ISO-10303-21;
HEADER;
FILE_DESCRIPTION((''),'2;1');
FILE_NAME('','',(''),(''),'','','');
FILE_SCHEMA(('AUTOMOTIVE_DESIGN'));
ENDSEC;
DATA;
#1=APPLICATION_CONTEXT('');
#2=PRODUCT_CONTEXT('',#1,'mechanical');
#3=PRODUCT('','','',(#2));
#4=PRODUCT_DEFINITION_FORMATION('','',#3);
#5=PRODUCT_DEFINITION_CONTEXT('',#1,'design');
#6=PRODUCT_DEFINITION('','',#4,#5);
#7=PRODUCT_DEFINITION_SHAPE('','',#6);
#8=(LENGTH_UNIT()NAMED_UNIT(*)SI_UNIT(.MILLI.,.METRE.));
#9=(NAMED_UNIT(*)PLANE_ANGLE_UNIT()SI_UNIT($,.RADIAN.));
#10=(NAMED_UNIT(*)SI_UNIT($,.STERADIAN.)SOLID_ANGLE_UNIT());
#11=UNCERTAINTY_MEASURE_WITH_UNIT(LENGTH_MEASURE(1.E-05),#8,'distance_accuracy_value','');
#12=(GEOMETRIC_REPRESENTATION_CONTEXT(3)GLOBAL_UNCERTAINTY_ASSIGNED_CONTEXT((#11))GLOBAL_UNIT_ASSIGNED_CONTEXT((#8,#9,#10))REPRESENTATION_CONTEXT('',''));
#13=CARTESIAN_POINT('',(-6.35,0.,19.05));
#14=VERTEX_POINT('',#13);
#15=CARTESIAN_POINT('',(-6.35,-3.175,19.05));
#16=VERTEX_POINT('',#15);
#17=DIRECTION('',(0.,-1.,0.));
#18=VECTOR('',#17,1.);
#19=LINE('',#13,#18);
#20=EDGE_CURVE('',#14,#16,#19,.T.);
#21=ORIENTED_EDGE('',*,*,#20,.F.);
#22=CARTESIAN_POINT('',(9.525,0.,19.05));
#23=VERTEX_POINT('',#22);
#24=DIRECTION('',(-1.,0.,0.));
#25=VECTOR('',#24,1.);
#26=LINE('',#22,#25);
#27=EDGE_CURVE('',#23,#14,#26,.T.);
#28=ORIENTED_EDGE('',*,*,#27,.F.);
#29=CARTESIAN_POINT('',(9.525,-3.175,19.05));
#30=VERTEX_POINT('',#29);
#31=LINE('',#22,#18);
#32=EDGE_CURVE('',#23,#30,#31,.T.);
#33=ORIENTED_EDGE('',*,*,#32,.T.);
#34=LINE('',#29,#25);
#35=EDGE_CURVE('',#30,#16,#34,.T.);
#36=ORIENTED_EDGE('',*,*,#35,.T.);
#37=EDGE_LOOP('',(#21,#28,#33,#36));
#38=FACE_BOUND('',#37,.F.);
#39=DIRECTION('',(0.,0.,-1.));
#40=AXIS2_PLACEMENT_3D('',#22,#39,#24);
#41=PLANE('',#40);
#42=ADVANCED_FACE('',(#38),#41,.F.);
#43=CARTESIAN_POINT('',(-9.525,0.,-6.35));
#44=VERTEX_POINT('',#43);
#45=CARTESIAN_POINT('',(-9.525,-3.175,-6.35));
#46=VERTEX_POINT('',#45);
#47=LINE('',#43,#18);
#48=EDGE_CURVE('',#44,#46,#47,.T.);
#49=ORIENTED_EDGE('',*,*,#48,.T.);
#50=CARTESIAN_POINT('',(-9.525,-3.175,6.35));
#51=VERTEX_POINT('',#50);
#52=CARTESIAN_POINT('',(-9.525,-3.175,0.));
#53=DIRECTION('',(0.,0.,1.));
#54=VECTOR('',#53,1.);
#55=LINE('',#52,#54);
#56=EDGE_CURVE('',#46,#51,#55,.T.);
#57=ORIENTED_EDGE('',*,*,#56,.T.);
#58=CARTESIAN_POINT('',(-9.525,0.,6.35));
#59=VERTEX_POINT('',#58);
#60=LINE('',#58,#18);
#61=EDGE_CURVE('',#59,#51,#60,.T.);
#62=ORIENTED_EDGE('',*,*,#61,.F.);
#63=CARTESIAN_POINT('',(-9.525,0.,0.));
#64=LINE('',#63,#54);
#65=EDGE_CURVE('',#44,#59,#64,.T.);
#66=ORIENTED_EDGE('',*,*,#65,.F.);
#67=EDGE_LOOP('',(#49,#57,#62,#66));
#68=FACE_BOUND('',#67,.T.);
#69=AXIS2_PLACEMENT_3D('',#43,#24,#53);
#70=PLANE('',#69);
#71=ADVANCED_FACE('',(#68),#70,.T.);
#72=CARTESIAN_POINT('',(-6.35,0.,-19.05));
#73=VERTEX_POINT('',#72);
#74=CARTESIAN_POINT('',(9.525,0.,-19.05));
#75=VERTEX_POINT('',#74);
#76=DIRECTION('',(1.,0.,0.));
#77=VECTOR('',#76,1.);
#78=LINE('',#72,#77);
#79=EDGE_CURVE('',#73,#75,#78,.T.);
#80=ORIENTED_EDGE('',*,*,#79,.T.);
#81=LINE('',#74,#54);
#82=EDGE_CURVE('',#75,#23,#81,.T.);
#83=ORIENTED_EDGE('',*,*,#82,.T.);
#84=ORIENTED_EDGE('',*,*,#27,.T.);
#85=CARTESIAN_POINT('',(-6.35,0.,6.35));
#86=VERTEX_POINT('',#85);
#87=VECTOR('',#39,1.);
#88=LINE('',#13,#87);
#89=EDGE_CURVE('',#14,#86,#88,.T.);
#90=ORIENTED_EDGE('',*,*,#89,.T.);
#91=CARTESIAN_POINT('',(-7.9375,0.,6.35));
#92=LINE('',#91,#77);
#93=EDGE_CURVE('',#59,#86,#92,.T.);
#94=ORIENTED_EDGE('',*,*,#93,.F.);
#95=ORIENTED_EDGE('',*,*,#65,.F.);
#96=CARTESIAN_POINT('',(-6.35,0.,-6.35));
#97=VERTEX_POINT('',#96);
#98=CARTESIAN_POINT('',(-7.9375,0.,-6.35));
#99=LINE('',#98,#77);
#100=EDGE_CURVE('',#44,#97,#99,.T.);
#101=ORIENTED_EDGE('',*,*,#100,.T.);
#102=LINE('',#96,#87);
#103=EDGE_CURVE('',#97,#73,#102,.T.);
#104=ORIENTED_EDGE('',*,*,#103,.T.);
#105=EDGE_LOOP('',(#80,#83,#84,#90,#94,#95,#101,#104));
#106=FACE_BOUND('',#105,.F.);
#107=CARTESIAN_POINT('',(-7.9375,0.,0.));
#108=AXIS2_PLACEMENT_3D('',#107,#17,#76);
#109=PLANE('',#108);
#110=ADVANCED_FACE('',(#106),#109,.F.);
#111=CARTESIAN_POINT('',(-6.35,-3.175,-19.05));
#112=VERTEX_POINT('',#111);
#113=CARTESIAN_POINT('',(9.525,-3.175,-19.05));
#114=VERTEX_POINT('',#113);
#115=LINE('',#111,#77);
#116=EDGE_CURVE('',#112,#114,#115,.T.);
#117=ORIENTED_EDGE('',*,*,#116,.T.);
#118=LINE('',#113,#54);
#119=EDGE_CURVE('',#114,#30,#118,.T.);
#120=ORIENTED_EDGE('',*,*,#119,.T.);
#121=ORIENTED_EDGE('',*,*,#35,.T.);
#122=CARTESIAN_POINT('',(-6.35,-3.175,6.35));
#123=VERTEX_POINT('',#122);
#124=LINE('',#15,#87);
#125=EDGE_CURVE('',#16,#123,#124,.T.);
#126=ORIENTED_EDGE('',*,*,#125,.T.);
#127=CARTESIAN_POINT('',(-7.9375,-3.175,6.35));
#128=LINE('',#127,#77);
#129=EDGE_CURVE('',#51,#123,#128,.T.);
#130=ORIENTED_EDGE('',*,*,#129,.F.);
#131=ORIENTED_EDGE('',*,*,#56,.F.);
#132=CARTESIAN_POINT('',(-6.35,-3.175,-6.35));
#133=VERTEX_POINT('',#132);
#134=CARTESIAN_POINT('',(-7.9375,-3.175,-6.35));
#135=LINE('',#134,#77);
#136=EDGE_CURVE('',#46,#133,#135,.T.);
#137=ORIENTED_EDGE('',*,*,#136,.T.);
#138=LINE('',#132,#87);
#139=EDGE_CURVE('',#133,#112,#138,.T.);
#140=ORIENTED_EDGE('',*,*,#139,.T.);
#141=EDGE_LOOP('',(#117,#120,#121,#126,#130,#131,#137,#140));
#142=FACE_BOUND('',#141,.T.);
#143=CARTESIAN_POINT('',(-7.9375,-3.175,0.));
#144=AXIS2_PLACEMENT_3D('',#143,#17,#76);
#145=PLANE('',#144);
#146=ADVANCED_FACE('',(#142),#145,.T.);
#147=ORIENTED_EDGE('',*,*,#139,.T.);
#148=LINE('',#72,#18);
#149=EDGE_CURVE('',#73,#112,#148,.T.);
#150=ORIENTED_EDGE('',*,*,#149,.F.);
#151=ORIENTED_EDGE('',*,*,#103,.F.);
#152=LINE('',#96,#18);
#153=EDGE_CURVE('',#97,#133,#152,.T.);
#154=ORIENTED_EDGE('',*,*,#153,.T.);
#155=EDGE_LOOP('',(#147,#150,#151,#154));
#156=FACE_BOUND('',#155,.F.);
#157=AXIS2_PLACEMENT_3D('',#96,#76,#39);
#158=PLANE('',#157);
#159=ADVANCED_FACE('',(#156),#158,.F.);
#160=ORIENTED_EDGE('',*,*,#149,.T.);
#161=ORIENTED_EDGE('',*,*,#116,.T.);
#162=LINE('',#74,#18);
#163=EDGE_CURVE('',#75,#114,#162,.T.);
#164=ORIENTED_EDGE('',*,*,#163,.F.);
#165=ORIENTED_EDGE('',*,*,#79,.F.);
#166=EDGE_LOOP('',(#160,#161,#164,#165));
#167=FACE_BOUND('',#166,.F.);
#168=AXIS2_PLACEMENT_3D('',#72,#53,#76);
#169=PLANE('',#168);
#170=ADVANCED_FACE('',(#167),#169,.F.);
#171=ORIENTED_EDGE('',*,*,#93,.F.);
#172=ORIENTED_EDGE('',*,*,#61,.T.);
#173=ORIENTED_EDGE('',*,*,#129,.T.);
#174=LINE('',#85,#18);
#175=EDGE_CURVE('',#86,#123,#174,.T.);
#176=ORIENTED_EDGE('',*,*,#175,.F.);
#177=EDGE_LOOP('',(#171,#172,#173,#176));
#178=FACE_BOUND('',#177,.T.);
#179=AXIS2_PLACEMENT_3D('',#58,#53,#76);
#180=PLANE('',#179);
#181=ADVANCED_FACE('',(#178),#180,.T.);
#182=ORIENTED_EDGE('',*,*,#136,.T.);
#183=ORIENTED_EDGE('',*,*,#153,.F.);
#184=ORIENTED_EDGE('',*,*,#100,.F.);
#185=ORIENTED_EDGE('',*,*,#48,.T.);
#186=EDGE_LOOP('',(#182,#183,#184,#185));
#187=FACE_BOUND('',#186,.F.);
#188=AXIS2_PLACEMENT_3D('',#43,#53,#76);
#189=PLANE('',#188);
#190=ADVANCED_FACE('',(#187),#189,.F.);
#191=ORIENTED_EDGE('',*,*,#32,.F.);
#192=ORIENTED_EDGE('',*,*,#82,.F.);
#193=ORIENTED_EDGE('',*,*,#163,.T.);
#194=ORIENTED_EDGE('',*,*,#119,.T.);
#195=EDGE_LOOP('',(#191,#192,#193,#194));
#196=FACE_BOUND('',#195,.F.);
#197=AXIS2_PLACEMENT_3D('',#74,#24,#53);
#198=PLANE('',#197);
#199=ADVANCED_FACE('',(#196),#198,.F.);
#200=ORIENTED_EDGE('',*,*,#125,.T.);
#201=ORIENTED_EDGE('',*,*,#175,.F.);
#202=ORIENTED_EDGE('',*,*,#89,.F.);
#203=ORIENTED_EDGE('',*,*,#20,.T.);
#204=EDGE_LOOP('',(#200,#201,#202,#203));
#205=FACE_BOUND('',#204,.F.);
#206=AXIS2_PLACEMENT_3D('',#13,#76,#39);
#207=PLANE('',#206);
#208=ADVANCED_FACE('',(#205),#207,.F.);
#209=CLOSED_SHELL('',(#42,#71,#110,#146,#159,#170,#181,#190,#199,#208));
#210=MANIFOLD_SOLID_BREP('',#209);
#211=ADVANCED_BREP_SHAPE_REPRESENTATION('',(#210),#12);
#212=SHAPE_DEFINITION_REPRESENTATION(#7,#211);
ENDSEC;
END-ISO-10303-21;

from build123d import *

# Parameters (mm, degrees)
F0_W     = 3.175
F0_H     = 12.7
F1_DEPTH = 3.175


with BuildPart() as f1:
    # F0 (on Front) → F1 (new body)
    with BuildSketch(Plane.XZ):
        with Locations((-7.9375, 0)):
            Rectangle(F0_W, F0_H)
        Polygon((9.525, -19.05), (9.525, 19.05), (-6.35, 19.05), (-6.35, 6.35), (-6.35, -6.35), (-6.35, -19.05), align=None)
    extrude(amount=F1_DEPTH)


solid = f1.part
